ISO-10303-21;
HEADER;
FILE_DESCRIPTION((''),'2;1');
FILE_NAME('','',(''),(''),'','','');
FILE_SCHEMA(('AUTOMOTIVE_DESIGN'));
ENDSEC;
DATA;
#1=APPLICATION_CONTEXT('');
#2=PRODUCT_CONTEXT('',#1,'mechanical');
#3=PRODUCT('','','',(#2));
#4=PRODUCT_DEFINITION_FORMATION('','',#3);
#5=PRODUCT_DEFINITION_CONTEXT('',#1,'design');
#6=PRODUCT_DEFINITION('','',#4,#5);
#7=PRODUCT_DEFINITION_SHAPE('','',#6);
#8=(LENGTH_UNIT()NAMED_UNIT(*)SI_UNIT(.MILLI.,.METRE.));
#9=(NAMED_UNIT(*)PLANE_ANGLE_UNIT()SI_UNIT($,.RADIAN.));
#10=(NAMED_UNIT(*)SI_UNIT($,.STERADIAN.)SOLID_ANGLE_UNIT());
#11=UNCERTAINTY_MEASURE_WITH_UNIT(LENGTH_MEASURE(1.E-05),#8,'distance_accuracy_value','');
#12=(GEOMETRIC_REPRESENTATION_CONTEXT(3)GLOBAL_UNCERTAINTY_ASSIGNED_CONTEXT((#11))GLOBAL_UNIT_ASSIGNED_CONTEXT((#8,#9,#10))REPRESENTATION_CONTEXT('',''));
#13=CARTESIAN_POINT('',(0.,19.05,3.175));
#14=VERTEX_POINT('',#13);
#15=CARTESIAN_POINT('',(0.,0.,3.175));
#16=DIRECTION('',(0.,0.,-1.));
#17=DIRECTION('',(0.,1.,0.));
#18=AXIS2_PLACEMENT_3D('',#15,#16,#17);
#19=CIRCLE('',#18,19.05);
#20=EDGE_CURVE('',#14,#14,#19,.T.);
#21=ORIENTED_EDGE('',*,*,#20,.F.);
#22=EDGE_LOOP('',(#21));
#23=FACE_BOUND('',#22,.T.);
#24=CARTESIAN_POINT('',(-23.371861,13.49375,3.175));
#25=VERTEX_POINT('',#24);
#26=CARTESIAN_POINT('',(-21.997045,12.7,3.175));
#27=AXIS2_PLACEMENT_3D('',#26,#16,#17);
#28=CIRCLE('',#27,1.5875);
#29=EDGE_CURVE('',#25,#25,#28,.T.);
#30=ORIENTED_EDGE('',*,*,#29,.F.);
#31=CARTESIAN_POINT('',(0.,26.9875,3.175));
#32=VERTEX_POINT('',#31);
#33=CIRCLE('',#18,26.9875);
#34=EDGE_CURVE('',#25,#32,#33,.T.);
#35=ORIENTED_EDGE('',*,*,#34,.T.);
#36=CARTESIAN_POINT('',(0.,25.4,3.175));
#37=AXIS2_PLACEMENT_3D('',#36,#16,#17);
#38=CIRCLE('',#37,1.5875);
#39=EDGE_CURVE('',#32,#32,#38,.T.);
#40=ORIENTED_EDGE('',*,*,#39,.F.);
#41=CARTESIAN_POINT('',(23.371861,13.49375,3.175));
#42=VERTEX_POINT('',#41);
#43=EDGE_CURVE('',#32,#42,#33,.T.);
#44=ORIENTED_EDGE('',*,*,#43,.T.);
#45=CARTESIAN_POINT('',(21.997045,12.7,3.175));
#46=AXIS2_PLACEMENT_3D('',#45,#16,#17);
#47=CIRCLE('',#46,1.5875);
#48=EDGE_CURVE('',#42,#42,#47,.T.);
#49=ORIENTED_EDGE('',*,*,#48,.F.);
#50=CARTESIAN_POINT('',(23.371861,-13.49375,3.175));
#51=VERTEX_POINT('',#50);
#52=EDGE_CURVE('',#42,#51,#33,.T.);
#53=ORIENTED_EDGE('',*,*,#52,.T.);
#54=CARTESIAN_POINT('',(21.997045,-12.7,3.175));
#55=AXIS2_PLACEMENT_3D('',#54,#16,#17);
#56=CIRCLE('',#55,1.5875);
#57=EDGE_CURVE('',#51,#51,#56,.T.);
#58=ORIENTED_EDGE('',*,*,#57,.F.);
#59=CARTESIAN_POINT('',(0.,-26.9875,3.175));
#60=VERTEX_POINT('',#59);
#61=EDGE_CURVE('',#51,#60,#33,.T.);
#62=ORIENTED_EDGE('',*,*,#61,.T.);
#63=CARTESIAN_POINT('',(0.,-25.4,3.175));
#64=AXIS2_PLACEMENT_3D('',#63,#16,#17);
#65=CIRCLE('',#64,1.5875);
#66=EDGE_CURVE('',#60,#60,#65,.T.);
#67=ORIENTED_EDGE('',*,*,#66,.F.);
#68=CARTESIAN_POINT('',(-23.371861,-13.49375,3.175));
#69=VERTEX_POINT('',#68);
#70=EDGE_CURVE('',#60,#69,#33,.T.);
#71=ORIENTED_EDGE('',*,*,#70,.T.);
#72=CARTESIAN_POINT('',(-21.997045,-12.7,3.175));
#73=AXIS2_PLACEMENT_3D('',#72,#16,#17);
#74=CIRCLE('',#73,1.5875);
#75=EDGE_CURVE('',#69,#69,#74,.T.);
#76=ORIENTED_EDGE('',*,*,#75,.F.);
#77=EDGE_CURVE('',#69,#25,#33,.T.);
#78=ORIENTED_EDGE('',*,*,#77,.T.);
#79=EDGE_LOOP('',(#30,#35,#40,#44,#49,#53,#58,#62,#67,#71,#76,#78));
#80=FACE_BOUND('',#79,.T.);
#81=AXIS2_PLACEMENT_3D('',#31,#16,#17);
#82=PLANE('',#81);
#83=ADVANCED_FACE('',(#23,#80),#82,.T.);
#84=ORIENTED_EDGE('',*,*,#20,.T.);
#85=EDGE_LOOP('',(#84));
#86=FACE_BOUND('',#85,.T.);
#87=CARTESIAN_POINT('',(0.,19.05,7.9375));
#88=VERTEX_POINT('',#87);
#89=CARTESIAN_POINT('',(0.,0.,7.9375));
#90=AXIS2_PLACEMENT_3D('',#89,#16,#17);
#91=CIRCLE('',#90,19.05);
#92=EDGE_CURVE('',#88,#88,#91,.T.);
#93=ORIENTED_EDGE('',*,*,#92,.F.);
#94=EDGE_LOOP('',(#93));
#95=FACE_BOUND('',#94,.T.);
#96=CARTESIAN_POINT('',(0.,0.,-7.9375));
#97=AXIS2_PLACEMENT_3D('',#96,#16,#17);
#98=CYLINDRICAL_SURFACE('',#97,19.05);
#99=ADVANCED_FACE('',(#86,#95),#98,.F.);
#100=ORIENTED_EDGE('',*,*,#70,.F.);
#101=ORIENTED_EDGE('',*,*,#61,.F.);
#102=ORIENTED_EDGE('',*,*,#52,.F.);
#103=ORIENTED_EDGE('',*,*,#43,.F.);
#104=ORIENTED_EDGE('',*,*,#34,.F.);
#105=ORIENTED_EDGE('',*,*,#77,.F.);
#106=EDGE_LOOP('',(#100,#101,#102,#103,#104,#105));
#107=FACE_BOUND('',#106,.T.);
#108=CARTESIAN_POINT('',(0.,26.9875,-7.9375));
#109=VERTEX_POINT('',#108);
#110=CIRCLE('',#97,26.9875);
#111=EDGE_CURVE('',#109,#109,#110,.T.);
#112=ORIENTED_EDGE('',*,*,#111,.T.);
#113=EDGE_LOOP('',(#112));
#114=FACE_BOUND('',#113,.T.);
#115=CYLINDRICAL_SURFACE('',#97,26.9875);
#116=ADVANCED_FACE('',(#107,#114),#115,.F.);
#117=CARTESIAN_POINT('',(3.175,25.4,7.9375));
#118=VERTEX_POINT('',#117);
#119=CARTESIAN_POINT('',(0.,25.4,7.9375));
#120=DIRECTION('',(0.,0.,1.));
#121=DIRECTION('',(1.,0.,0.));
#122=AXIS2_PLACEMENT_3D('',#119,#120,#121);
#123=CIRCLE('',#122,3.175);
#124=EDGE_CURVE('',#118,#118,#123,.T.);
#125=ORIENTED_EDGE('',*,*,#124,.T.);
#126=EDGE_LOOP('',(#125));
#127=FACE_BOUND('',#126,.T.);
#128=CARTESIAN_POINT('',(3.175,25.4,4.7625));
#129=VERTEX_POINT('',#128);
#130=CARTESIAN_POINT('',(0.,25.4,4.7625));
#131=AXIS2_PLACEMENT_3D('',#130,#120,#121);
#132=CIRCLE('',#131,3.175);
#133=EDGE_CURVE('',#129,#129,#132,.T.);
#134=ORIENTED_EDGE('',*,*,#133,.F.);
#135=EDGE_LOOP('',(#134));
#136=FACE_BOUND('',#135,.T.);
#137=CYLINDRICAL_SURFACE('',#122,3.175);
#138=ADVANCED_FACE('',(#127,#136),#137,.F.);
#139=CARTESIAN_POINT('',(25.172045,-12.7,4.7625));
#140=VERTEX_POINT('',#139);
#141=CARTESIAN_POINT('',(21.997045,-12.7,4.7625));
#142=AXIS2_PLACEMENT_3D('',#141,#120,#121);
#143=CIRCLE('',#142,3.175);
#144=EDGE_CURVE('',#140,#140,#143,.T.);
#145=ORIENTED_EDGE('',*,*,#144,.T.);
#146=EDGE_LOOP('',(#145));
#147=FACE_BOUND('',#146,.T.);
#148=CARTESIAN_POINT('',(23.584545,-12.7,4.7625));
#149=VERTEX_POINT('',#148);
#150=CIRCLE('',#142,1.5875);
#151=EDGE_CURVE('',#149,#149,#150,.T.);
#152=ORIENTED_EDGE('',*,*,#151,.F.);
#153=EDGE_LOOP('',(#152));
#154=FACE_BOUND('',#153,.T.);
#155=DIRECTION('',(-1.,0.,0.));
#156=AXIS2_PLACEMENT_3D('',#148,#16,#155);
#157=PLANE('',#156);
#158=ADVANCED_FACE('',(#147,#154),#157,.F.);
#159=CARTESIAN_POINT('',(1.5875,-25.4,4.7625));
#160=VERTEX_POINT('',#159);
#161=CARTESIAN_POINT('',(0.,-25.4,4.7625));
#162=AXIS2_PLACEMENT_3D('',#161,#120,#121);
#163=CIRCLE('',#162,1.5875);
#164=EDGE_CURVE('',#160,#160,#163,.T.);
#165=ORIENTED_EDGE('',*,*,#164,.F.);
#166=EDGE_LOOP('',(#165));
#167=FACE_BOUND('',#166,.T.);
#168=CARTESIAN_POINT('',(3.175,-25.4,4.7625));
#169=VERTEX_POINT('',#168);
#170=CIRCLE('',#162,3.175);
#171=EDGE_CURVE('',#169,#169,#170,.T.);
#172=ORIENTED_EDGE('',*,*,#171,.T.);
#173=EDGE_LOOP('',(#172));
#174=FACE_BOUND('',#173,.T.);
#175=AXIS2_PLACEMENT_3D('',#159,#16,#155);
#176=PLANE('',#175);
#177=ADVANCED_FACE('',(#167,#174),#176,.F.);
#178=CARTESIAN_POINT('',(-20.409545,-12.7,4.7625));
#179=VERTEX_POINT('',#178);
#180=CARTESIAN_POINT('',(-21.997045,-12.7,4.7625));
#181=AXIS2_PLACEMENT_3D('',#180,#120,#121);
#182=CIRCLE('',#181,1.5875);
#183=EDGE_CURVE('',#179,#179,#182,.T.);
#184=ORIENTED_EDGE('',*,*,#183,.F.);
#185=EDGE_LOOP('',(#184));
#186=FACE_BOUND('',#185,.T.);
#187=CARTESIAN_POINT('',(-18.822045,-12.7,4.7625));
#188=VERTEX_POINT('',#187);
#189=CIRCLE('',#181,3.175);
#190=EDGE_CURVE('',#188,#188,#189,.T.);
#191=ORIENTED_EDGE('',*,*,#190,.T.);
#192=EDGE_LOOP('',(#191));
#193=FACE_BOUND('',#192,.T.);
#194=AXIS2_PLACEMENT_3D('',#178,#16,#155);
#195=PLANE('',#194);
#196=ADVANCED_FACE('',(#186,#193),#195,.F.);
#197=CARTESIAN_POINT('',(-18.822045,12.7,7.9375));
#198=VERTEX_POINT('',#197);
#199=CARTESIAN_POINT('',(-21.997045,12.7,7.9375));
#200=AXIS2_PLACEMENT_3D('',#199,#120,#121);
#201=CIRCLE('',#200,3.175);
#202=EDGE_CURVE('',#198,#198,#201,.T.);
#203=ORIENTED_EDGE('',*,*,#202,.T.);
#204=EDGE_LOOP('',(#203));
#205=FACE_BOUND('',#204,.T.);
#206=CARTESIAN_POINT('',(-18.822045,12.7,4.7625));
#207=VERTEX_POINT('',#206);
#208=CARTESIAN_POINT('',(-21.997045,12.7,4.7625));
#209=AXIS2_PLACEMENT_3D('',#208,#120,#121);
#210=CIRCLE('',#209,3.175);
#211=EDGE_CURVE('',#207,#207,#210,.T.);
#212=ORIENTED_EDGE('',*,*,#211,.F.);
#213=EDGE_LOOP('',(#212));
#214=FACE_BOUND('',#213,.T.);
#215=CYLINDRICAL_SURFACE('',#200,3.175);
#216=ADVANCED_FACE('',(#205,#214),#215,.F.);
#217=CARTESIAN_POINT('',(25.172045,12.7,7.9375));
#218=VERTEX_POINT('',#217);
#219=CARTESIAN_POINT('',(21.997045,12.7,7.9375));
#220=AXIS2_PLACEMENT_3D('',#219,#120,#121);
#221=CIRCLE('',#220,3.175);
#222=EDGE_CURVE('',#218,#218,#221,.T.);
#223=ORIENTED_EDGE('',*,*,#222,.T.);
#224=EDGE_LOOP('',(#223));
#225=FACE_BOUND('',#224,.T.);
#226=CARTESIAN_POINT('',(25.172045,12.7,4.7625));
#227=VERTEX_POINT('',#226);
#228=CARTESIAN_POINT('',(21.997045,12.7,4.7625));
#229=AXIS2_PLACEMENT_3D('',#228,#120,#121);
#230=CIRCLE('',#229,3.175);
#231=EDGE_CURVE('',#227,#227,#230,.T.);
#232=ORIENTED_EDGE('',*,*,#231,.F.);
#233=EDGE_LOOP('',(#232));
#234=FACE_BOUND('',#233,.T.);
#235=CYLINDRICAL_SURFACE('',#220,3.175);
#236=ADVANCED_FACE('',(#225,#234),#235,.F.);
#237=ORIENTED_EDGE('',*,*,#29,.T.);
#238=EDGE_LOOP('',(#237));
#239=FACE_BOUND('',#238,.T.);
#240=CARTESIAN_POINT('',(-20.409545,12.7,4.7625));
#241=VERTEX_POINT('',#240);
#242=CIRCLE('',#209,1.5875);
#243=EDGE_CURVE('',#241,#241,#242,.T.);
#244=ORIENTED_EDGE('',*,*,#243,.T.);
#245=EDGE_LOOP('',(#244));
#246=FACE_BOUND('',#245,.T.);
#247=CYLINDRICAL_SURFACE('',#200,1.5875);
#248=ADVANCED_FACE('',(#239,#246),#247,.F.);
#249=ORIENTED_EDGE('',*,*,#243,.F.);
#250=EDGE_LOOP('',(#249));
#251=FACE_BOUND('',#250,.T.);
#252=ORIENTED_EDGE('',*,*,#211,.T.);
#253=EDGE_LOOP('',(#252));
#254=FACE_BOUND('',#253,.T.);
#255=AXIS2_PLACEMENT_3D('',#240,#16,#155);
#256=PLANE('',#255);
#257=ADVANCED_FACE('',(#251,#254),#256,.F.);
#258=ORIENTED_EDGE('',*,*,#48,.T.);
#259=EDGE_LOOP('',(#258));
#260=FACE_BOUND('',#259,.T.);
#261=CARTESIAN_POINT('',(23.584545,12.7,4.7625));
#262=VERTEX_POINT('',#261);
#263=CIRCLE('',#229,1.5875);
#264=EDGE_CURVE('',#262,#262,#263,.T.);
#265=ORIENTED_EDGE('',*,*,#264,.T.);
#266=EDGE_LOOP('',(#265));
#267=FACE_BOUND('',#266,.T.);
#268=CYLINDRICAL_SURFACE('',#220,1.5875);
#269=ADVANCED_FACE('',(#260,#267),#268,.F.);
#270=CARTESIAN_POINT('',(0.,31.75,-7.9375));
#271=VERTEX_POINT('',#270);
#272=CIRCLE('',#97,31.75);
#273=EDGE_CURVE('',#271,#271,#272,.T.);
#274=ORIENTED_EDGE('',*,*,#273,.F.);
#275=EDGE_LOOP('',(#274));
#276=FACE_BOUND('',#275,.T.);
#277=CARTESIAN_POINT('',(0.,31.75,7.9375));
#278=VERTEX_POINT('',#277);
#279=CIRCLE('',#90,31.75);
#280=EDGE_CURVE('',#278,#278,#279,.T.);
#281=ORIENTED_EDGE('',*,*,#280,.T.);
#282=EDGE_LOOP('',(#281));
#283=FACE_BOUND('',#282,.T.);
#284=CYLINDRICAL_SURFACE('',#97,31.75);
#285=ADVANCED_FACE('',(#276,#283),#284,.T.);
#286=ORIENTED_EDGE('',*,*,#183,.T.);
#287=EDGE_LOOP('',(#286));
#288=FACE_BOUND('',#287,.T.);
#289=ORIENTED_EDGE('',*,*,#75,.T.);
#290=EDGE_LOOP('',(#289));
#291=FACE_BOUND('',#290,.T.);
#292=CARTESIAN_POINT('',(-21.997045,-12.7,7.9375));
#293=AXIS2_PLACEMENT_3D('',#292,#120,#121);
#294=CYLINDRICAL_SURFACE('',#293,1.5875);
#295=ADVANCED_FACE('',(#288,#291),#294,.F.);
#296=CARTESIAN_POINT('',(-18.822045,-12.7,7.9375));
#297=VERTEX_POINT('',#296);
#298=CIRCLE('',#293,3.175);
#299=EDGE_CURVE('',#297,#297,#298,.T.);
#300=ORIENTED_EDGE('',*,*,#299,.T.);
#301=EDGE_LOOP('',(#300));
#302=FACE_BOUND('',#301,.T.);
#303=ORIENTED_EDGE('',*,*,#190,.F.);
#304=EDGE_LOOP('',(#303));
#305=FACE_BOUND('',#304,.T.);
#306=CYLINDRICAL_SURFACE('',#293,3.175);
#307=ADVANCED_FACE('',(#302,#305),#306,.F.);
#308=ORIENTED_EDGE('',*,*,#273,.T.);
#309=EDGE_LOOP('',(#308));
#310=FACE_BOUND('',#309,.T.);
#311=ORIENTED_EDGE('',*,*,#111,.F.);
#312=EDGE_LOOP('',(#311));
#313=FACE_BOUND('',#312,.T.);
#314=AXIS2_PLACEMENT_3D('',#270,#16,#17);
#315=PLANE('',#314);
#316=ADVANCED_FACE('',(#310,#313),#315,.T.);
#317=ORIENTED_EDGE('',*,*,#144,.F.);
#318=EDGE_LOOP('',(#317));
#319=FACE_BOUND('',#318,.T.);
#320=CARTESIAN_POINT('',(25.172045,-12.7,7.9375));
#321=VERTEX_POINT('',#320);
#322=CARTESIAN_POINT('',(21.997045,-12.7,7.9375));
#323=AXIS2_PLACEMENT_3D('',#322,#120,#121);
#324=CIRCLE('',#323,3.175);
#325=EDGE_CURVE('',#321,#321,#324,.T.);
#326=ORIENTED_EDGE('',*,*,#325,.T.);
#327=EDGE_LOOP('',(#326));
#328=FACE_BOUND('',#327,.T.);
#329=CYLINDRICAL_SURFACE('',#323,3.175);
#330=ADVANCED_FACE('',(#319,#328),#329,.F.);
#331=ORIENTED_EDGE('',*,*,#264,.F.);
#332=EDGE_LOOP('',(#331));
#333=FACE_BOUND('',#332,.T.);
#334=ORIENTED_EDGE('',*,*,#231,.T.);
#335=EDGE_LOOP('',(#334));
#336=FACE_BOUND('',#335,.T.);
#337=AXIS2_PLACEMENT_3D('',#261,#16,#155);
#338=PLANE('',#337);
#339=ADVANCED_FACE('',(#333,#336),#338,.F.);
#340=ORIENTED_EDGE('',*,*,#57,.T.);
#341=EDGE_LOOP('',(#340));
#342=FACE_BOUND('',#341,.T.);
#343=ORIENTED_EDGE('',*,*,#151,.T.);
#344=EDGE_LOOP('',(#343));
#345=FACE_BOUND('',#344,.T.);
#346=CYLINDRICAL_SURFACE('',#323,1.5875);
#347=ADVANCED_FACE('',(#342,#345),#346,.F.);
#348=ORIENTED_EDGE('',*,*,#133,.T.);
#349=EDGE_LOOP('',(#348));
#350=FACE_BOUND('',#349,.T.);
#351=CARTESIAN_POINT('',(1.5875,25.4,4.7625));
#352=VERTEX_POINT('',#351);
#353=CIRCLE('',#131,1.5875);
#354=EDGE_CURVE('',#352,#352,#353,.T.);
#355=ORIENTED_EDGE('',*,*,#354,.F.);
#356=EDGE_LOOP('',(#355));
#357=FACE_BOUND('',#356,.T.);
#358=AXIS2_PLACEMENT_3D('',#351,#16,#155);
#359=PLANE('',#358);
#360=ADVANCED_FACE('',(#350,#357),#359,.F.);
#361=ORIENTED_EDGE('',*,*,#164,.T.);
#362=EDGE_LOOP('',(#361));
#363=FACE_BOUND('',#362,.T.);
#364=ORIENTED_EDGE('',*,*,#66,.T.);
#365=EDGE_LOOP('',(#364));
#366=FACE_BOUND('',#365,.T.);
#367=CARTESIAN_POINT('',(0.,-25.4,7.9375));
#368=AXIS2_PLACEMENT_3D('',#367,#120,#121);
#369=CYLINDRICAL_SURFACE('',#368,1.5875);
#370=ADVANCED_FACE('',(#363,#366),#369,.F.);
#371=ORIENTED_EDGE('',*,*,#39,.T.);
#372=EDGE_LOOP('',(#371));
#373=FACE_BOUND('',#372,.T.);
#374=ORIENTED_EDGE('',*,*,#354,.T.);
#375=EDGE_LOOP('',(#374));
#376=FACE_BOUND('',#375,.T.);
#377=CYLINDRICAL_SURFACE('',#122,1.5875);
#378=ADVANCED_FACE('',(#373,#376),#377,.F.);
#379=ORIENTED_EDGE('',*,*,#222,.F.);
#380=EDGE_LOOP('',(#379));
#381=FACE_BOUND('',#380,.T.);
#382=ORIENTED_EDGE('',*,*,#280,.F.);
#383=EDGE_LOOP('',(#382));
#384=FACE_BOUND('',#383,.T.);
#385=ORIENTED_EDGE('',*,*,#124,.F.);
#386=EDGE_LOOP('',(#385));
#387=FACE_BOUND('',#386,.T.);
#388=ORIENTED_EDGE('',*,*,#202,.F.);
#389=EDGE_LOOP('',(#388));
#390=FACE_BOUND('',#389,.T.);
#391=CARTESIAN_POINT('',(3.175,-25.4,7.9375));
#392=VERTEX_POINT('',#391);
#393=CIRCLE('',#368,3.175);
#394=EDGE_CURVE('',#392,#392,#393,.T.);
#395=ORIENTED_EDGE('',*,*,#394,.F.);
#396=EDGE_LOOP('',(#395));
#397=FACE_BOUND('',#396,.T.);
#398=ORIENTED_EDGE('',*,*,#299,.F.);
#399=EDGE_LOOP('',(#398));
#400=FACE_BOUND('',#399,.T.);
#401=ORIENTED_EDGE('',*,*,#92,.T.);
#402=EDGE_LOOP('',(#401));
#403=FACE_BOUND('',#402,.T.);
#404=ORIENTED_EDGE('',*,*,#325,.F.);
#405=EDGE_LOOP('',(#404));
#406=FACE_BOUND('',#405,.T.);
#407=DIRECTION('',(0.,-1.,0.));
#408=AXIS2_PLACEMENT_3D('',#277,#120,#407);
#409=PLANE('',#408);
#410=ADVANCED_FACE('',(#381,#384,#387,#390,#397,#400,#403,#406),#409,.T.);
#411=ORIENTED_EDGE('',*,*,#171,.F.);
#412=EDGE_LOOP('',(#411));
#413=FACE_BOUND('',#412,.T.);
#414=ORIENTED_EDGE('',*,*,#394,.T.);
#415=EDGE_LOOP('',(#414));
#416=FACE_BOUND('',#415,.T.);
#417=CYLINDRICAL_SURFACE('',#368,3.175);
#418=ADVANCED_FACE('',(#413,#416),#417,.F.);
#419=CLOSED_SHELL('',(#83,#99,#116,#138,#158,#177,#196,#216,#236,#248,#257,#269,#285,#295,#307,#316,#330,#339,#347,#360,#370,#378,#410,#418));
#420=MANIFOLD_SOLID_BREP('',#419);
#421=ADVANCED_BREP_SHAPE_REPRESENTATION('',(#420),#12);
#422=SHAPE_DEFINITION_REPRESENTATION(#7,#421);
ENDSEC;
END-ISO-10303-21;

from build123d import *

# Parameters (mm, degrees)
CBORE_FOR_0_BINDING_HEAD_MACHINE_SCREW1_D           = 3.175
CBORE_FOR_0_BINDING_HEAD_MACHINE_SCREW1_CBORE_D     = 6.35
CBORE_FOR_0_BINDING_HEAD_MACHINE_SCREW1_CBORE_DEPTH = 3.175


with BuildPart() as part:
    # Sketch1 → Revolve1 (revolve)
    with BuildSketch(Plane(origin=(0, 0, 0), x_dir=(0, 0, -1), z_dir=(1, 0, 0))):
        Polygon((-7.9375, 31.75), (7.9375, 31.75), (7.9375, 26.9875), (-3.175, 26.9875), (-3.175, 19.05), (-7.9375, 19.05), align=None)
    revolve(axis=Axis((0, 0, -7.9375), (0, 0, 1)))

    # CBORE for #0 Binding Head Machine Screw1 (through all)
    with Locations(Plane.XY.offset(7.9375)):
        with Locations((0, 25.4), (21.997045256, 12.7), (21.997045256, -12.7), (0, -25.4), (-21.997045256, -12.7), (-21.997045256, 12.7)):
            CounterBoreHole(CBORE_FOR_0_BINDING_HEAD_MACHINE_SCREW1_D / 2, CBORE_FOR_0_BINDING_HEAD_MACHINE_SCREW1_CBORE_D / 2, CBORE_FOR_0_BINDING_HEAD_MACHINE_SCREW1_CBORE_DEPTH)


solid = part.part
